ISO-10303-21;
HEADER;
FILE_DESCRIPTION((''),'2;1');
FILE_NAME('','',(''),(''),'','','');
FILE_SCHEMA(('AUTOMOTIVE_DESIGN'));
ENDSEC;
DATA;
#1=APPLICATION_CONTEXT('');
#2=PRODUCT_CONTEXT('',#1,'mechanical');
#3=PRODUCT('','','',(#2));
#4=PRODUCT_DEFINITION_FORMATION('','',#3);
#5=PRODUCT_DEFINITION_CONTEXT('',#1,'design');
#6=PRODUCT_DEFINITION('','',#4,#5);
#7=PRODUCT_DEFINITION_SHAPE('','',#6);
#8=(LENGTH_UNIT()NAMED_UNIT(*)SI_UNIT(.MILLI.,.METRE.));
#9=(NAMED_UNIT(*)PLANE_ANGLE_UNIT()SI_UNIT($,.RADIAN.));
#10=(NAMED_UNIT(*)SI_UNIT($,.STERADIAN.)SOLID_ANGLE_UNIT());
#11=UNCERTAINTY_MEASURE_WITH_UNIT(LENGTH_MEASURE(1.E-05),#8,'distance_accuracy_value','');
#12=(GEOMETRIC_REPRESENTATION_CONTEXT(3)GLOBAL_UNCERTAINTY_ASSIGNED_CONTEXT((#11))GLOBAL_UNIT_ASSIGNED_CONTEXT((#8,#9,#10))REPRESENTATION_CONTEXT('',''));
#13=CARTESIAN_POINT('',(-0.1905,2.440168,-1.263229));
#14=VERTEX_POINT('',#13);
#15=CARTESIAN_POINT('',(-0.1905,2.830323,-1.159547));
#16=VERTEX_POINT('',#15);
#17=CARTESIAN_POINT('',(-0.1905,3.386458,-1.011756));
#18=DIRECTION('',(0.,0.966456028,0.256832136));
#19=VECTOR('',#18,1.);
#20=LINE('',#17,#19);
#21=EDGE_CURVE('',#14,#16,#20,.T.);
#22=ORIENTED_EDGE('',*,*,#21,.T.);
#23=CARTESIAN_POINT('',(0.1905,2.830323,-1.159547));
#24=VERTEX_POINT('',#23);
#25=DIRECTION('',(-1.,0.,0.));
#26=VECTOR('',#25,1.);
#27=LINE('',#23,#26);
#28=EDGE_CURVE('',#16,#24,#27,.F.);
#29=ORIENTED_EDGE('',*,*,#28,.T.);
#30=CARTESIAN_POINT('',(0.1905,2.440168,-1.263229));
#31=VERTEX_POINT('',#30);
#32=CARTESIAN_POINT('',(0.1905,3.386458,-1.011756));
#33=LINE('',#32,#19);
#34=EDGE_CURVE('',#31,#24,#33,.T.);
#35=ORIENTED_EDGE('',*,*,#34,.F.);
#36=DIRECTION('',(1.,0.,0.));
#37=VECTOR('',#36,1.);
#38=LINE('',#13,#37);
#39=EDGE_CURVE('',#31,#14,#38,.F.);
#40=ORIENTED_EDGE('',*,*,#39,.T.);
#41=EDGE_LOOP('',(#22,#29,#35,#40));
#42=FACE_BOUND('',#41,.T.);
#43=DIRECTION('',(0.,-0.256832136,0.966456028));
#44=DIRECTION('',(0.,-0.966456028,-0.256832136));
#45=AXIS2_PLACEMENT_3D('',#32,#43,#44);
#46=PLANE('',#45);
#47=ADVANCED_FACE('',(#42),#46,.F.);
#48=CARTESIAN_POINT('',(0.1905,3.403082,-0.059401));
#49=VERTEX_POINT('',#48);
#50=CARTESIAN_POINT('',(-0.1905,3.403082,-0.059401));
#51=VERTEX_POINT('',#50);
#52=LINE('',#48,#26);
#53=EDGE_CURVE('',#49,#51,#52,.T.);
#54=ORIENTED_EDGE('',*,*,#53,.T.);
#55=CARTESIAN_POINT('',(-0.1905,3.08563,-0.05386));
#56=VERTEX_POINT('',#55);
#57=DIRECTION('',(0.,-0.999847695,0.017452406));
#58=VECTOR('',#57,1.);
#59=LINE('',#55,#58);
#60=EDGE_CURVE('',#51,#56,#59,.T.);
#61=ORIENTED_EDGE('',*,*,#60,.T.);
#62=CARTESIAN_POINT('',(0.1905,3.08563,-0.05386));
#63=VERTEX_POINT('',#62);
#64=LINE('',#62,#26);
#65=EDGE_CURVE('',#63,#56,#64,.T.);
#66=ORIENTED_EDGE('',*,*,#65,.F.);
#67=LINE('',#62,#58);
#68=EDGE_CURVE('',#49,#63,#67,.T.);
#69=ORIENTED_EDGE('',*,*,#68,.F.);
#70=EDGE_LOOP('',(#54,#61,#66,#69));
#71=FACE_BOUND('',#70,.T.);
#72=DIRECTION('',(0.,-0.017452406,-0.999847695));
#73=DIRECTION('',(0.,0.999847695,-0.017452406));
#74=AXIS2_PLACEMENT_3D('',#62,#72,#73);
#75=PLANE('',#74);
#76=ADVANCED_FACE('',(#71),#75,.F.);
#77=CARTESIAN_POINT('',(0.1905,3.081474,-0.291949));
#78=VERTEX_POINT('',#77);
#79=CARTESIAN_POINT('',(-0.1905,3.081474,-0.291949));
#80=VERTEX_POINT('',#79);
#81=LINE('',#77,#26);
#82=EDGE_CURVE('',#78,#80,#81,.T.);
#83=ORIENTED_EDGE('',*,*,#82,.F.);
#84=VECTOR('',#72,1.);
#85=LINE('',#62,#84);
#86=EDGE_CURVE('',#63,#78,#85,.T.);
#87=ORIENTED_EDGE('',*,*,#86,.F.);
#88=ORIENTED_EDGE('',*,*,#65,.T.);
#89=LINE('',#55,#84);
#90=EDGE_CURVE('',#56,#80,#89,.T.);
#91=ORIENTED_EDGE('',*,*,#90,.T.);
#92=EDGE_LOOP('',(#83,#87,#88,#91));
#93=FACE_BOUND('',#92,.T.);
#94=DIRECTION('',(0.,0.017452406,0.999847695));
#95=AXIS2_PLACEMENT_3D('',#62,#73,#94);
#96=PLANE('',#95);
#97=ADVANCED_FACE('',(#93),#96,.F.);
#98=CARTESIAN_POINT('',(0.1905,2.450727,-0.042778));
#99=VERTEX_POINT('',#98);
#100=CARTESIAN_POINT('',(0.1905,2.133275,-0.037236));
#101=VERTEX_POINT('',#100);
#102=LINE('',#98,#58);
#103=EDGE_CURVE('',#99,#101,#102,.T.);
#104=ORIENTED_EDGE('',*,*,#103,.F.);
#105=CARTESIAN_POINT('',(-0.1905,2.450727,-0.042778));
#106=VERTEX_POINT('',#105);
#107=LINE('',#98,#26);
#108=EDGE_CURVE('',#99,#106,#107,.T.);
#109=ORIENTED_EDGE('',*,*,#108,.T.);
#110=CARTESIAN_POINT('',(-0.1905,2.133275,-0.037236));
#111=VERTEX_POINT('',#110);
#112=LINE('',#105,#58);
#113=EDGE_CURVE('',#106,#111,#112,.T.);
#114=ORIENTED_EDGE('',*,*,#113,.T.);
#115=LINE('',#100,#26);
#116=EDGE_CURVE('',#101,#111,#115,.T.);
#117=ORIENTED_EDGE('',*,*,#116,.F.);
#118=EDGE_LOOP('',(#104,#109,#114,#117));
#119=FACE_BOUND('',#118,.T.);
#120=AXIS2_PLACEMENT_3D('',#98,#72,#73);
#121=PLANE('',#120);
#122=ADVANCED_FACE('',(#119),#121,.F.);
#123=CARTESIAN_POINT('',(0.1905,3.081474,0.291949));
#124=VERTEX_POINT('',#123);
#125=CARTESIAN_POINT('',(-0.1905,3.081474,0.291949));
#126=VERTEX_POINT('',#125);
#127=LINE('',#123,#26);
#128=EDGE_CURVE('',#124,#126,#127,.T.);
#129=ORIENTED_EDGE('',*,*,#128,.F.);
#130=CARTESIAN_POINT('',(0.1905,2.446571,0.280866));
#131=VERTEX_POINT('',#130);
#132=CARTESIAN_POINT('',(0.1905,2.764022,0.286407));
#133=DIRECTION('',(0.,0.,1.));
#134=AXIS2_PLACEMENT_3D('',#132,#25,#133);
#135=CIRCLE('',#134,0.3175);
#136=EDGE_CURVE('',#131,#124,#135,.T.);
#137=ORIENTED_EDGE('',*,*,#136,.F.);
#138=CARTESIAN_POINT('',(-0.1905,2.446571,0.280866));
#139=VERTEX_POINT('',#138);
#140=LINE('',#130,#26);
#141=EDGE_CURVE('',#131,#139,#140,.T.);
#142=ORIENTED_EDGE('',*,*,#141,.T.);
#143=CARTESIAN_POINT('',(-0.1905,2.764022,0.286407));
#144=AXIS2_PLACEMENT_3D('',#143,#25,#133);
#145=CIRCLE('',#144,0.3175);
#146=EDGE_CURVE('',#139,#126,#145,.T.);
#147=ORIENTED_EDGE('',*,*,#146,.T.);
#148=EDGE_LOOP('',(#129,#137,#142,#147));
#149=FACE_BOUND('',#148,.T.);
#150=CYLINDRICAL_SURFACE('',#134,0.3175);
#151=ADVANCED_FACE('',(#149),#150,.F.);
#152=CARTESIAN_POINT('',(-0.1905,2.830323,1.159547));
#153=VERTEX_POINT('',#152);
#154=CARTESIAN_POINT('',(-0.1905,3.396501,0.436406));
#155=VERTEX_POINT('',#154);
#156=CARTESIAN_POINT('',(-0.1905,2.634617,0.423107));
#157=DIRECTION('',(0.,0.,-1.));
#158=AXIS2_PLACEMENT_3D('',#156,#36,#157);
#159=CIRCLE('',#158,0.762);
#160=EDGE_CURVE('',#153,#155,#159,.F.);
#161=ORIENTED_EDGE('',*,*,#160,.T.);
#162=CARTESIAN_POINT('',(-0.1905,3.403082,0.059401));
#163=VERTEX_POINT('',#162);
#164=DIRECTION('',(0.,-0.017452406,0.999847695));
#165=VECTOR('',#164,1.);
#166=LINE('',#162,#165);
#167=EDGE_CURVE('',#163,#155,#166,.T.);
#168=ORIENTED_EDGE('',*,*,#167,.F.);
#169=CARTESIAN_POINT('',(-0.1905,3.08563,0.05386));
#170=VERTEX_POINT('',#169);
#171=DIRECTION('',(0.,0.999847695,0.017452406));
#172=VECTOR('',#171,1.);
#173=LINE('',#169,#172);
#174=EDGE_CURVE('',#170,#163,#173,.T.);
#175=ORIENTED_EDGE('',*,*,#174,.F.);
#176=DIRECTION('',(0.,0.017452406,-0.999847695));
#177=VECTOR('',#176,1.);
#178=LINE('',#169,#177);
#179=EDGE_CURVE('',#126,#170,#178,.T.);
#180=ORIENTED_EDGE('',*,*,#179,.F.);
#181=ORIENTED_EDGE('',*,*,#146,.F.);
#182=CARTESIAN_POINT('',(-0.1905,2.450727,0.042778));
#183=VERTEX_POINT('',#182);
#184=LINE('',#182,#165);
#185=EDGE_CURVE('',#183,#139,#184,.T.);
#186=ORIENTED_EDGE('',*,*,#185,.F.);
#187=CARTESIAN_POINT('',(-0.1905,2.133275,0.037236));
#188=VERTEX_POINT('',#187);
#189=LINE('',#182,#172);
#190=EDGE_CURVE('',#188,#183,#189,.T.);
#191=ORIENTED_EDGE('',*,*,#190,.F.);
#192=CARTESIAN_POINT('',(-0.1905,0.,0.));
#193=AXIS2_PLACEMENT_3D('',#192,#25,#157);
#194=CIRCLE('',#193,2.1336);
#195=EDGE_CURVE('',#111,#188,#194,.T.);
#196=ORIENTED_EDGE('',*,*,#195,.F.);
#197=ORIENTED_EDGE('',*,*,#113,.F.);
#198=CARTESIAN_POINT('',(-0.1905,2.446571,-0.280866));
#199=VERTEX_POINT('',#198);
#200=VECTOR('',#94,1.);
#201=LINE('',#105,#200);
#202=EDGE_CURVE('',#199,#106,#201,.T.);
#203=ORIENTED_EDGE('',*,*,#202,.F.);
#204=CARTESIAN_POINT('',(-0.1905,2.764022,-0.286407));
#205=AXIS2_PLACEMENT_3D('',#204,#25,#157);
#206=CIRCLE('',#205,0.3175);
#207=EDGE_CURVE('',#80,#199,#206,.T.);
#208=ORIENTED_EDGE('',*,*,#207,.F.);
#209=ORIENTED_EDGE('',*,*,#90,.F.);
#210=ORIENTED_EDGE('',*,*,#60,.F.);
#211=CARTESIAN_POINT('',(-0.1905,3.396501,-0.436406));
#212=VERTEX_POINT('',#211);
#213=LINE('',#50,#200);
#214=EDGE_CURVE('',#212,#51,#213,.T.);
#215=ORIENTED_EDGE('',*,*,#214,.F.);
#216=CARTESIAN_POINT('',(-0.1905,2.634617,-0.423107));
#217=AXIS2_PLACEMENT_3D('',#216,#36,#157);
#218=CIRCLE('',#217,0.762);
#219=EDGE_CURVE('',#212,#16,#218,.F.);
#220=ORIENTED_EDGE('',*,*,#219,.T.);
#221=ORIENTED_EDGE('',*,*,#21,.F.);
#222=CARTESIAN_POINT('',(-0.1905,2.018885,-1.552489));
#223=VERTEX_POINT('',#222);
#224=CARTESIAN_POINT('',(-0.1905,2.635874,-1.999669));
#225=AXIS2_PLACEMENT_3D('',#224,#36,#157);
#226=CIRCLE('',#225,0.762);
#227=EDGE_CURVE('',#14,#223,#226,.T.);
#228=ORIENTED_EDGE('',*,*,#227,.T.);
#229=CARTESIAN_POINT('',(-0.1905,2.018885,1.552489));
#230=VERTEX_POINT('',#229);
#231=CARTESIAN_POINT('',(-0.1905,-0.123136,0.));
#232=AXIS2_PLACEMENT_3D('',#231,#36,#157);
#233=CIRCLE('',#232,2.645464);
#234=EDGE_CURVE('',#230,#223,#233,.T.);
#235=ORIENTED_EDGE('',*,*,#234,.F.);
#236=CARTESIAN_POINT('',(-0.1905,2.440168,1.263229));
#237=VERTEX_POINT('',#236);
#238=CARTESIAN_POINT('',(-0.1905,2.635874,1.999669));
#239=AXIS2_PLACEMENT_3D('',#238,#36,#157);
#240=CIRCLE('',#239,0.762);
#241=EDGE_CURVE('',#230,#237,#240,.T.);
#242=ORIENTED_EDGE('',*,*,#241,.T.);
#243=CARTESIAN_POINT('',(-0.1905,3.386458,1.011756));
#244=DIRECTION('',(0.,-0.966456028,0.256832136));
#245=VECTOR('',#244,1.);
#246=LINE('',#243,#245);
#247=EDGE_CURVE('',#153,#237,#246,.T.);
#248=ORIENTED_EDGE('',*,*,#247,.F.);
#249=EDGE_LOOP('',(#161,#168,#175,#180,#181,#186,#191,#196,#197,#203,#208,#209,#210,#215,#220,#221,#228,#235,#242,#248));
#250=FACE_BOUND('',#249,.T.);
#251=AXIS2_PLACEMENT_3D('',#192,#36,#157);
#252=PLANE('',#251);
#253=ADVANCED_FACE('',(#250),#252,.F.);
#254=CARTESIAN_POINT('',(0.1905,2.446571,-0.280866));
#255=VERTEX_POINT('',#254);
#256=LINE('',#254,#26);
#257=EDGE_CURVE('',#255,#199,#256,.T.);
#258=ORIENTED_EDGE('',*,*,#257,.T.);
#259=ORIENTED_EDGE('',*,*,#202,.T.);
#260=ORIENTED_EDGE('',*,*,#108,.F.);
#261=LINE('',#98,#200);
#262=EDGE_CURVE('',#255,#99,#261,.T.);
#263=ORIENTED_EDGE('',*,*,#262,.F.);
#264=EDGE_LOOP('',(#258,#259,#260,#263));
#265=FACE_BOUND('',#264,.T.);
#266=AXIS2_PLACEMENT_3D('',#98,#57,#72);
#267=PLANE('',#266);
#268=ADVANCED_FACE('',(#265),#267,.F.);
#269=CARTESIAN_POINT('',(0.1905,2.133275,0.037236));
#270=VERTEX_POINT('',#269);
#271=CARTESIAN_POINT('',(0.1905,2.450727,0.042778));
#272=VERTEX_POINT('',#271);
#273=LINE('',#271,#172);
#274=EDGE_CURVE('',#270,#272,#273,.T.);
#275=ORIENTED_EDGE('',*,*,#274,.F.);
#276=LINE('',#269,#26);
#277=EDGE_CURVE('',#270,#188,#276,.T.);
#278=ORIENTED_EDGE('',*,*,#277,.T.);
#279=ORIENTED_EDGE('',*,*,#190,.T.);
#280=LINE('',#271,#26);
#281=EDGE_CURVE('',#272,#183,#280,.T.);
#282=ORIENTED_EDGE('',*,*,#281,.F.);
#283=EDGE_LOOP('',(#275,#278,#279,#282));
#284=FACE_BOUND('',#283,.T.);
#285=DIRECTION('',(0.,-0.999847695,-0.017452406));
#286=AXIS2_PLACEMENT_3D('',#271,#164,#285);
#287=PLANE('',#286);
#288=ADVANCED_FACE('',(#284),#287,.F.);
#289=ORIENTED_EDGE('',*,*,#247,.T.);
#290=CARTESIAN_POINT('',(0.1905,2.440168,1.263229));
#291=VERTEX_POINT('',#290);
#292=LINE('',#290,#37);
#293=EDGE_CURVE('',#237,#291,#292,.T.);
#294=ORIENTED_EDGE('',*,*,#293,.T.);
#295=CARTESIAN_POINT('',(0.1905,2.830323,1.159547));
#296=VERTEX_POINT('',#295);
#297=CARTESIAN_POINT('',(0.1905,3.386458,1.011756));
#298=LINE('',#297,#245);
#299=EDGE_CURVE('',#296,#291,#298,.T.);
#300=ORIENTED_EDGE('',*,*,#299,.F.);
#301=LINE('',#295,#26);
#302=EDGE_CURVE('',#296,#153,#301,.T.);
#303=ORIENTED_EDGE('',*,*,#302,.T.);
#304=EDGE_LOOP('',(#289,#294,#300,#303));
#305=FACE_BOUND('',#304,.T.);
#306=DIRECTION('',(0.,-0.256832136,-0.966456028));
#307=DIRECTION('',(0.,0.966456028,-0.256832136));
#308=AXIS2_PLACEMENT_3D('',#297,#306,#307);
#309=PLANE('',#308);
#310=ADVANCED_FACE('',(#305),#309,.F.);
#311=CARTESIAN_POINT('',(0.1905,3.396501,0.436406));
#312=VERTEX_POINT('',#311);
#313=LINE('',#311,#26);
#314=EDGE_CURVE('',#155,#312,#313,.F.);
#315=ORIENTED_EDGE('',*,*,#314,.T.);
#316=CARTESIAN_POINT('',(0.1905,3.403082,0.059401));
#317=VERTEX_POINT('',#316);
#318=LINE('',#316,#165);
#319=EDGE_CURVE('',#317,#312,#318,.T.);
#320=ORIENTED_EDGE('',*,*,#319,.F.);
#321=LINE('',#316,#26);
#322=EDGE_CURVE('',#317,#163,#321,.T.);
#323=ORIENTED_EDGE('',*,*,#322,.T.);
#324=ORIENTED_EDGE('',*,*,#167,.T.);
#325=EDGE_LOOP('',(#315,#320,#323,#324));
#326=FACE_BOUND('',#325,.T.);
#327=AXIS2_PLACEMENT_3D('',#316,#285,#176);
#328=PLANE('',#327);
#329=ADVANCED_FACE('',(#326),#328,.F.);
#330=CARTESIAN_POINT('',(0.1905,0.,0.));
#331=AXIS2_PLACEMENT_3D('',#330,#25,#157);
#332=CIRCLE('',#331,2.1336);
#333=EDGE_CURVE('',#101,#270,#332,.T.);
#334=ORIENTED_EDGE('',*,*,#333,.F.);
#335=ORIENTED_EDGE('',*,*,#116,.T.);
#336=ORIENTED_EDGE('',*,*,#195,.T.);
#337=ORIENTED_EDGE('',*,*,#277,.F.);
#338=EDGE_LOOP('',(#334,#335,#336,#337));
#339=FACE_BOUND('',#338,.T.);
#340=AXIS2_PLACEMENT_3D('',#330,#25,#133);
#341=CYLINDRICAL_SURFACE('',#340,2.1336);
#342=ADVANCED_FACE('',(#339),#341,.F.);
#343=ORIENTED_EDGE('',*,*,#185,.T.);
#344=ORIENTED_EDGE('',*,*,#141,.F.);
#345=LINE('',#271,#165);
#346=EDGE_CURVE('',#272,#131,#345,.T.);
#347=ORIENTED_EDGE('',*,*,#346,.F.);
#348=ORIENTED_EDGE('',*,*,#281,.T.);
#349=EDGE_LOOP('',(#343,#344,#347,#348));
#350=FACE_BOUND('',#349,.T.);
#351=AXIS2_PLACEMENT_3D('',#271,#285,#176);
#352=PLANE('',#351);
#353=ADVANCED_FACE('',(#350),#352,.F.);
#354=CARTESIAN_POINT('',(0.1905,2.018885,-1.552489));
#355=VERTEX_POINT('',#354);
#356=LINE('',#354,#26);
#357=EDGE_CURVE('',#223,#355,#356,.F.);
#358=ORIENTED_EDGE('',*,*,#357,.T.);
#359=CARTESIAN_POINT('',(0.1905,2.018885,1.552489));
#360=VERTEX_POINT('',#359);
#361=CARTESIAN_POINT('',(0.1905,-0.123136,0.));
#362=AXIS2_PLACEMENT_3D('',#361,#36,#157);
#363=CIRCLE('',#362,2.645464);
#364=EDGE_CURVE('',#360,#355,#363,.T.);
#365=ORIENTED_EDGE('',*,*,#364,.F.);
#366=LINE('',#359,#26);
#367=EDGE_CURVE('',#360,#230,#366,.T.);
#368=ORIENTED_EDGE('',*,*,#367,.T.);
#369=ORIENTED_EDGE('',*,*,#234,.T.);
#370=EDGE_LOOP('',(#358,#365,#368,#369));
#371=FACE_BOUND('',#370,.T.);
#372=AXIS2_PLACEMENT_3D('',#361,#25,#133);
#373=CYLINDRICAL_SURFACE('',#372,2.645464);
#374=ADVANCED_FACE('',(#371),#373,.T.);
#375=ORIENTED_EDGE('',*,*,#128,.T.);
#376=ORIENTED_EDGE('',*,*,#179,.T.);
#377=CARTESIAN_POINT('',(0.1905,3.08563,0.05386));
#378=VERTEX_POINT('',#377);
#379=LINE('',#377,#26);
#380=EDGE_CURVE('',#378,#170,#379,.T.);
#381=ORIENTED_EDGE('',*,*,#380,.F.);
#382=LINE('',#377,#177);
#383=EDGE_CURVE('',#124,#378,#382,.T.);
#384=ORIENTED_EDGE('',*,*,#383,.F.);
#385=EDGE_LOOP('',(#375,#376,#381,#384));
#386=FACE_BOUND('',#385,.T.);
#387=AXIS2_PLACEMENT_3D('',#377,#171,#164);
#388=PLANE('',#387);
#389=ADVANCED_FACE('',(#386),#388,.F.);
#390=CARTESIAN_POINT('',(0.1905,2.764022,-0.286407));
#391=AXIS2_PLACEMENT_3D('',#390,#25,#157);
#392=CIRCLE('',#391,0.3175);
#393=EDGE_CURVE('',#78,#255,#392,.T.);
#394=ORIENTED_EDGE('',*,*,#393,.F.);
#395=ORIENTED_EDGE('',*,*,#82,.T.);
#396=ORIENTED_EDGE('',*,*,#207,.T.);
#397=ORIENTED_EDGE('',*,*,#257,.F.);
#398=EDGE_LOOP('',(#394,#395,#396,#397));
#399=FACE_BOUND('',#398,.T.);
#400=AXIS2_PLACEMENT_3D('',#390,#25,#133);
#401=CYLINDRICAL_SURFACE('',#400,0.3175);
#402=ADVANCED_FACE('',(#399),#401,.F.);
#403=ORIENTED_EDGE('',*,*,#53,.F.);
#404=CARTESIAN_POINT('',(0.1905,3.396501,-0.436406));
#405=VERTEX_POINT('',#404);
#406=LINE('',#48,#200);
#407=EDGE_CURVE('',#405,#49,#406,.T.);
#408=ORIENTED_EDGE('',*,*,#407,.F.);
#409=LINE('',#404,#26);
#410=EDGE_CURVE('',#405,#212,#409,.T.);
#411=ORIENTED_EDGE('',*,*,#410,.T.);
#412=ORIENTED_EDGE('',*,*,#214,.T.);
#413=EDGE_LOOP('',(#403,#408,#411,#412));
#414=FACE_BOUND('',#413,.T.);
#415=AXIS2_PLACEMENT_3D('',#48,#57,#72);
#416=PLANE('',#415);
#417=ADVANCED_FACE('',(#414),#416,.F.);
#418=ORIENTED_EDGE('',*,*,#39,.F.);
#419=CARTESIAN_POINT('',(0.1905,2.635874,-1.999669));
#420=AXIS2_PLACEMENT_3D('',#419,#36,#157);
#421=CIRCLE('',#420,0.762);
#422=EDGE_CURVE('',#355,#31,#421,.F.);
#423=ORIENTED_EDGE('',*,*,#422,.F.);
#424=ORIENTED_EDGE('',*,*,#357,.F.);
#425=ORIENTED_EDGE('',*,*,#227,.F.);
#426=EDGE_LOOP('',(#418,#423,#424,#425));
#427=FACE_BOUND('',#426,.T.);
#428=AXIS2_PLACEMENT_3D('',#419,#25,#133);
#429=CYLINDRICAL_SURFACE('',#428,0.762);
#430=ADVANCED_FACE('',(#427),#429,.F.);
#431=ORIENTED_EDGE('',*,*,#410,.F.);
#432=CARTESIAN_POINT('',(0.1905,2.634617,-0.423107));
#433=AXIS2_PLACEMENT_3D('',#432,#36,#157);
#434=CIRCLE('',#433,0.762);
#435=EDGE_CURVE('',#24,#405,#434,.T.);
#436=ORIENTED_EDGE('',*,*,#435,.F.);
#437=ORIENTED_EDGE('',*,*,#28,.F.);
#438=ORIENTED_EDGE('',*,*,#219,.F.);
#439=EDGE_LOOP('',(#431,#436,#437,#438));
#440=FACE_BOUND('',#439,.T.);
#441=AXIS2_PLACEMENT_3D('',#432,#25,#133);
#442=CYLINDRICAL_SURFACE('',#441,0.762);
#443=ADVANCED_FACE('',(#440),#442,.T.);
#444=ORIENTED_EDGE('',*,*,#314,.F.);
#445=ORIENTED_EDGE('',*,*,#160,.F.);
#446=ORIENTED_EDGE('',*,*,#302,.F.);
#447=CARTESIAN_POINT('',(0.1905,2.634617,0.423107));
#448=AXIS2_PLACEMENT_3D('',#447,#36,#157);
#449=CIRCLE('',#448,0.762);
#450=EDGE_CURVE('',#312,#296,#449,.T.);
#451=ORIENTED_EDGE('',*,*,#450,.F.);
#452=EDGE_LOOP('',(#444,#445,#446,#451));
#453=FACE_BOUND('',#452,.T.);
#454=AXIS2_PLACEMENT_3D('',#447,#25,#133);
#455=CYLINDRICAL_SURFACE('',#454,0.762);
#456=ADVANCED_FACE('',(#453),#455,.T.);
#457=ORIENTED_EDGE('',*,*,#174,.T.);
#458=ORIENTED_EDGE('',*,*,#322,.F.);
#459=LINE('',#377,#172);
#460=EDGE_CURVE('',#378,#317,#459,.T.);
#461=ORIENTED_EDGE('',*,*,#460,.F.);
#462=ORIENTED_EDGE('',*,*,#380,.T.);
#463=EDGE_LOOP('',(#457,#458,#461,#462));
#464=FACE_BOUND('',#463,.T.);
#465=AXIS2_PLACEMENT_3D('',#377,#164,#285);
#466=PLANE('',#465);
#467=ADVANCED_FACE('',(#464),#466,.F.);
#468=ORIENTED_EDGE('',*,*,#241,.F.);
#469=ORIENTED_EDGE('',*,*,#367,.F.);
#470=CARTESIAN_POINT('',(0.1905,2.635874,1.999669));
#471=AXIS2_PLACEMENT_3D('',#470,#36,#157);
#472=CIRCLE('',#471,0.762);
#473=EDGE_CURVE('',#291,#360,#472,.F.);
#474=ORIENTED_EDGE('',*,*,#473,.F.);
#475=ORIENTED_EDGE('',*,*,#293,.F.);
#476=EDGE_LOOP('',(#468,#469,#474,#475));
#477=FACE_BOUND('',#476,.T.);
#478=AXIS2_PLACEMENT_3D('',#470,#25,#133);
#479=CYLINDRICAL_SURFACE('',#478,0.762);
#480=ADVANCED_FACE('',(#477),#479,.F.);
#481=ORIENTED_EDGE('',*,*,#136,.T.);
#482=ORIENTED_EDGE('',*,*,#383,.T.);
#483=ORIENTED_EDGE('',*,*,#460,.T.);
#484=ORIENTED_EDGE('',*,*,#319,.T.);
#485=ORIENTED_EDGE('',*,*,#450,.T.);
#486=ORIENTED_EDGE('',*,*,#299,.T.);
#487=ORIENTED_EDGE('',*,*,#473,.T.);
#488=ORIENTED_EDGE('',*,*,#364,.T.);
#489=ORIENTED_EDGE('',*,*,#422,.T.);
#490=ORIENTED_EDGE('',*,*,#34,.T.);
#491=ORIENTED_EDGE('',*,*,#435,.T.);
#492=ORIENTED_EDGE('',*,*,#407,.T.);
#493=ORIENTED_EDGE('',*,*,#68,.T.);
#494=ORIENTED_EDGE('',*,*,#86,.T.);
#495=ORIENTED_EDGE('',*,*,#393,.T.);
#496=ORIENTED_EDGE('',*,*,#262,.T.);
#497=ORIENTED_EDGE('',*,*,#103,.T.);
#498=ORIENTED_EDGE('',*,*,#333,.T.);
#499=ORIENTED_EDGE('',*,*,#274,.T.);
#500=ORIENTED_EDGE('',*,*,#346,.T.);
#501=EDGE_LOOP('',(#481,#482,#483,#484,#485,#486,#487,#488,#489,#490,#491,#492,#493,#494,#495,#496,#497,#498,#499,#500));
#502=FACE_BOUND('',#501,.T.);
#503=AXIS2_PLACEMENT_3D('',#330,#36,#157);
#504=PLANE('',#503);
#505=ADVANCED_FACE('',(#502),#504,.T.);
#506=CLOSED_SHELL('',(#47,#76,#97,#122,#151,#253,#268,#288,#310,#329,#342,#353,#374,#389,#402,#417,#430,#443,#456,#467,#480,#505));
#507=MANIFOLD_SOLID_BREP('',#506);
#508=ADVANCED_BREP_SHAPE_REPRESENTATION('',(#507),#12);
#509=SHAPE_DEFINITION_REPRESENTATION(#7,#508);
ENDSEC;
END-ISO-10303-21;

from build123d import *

# Parameters (mm, degrees)
EXTRUDE1_DEPTH = 0.1905
FILLET1_R      = 0.762


with BuildPart() as part:
    # Sketch1 → Extrude1 (new body, symmetric)
    with BuildSketch(Plane(origin=(0, 0, 0), x_dir=(0, 0, -1), z_dir=(1, 0, 0))):
        with BuildLine():
            Line((0.059401011, 3.403081615), (1.01175594, 3.386458198))
            Line((1.01175594, 3.386458198), (1.337932753, 2.159059043))
            ThreePointArc((1.337932753, 2.159059043), (0, -2.7686), (-1.337932753, 2.159059043))
            Line((-1.337932753, 2.159059043), (-1.01175594, 3.386458198))
            Line((-1.01175594, 3.386458198), (-0.059401011, 3.403081615))
            Line((-0.059401011, 3.403081615), (-0.053859872, 3.085629972))
            Line((-0.053859872, 3.085629972), (-0.291948604, 3.081474118))
            ThreePointArc((-0.291948604, 3.081474118), (-0.603859108, 2.758481335), (-0.280866326, 2.446570831))
            Line((-0.280866326, 2.446570831), (-0.042777593, 2.450726686))
            Line((-0.042777593, 2.450726686), (-0.037236454, 2.133275042))
            ThreePointArc((-0.037236454, 2.133275042), (0, -2.1336), (0.037236454, 2.133275042))
            Line((0.037236454, 2.133275042), (0.042777593, 2.450726686))
            Line((0.042777593, 2.450726686), (0.280866326, 2.446570831))
            ThreePointArc((0.280866326, 2.446570831), (0.603859108, 2.758481335), (0.291948604, 3.081474118))
            Line((0.291948604, 3.081474118), (0.053859872, 3.085629972))
            Line((0.053859872, 3.085629972), (0.059401011, 3.403081615))
        make_face()
    extrude(amount=EXTRUDE1_DEPTH, both=True)

    # Fillet1
    fillet1_edges = [part.edges().sort_by_distance(p)[0] for p in [
        (0, 3.386458198, -1.01175594),
        (0, 2.159059043, -1.337932753),
        (0, 2.159059043, 1.337932753),
        (0, 3.386458198, 1.01175594),
    ]]
    fillet(fillet1_edges, radius=FILLET1_R)


solid = part.part
